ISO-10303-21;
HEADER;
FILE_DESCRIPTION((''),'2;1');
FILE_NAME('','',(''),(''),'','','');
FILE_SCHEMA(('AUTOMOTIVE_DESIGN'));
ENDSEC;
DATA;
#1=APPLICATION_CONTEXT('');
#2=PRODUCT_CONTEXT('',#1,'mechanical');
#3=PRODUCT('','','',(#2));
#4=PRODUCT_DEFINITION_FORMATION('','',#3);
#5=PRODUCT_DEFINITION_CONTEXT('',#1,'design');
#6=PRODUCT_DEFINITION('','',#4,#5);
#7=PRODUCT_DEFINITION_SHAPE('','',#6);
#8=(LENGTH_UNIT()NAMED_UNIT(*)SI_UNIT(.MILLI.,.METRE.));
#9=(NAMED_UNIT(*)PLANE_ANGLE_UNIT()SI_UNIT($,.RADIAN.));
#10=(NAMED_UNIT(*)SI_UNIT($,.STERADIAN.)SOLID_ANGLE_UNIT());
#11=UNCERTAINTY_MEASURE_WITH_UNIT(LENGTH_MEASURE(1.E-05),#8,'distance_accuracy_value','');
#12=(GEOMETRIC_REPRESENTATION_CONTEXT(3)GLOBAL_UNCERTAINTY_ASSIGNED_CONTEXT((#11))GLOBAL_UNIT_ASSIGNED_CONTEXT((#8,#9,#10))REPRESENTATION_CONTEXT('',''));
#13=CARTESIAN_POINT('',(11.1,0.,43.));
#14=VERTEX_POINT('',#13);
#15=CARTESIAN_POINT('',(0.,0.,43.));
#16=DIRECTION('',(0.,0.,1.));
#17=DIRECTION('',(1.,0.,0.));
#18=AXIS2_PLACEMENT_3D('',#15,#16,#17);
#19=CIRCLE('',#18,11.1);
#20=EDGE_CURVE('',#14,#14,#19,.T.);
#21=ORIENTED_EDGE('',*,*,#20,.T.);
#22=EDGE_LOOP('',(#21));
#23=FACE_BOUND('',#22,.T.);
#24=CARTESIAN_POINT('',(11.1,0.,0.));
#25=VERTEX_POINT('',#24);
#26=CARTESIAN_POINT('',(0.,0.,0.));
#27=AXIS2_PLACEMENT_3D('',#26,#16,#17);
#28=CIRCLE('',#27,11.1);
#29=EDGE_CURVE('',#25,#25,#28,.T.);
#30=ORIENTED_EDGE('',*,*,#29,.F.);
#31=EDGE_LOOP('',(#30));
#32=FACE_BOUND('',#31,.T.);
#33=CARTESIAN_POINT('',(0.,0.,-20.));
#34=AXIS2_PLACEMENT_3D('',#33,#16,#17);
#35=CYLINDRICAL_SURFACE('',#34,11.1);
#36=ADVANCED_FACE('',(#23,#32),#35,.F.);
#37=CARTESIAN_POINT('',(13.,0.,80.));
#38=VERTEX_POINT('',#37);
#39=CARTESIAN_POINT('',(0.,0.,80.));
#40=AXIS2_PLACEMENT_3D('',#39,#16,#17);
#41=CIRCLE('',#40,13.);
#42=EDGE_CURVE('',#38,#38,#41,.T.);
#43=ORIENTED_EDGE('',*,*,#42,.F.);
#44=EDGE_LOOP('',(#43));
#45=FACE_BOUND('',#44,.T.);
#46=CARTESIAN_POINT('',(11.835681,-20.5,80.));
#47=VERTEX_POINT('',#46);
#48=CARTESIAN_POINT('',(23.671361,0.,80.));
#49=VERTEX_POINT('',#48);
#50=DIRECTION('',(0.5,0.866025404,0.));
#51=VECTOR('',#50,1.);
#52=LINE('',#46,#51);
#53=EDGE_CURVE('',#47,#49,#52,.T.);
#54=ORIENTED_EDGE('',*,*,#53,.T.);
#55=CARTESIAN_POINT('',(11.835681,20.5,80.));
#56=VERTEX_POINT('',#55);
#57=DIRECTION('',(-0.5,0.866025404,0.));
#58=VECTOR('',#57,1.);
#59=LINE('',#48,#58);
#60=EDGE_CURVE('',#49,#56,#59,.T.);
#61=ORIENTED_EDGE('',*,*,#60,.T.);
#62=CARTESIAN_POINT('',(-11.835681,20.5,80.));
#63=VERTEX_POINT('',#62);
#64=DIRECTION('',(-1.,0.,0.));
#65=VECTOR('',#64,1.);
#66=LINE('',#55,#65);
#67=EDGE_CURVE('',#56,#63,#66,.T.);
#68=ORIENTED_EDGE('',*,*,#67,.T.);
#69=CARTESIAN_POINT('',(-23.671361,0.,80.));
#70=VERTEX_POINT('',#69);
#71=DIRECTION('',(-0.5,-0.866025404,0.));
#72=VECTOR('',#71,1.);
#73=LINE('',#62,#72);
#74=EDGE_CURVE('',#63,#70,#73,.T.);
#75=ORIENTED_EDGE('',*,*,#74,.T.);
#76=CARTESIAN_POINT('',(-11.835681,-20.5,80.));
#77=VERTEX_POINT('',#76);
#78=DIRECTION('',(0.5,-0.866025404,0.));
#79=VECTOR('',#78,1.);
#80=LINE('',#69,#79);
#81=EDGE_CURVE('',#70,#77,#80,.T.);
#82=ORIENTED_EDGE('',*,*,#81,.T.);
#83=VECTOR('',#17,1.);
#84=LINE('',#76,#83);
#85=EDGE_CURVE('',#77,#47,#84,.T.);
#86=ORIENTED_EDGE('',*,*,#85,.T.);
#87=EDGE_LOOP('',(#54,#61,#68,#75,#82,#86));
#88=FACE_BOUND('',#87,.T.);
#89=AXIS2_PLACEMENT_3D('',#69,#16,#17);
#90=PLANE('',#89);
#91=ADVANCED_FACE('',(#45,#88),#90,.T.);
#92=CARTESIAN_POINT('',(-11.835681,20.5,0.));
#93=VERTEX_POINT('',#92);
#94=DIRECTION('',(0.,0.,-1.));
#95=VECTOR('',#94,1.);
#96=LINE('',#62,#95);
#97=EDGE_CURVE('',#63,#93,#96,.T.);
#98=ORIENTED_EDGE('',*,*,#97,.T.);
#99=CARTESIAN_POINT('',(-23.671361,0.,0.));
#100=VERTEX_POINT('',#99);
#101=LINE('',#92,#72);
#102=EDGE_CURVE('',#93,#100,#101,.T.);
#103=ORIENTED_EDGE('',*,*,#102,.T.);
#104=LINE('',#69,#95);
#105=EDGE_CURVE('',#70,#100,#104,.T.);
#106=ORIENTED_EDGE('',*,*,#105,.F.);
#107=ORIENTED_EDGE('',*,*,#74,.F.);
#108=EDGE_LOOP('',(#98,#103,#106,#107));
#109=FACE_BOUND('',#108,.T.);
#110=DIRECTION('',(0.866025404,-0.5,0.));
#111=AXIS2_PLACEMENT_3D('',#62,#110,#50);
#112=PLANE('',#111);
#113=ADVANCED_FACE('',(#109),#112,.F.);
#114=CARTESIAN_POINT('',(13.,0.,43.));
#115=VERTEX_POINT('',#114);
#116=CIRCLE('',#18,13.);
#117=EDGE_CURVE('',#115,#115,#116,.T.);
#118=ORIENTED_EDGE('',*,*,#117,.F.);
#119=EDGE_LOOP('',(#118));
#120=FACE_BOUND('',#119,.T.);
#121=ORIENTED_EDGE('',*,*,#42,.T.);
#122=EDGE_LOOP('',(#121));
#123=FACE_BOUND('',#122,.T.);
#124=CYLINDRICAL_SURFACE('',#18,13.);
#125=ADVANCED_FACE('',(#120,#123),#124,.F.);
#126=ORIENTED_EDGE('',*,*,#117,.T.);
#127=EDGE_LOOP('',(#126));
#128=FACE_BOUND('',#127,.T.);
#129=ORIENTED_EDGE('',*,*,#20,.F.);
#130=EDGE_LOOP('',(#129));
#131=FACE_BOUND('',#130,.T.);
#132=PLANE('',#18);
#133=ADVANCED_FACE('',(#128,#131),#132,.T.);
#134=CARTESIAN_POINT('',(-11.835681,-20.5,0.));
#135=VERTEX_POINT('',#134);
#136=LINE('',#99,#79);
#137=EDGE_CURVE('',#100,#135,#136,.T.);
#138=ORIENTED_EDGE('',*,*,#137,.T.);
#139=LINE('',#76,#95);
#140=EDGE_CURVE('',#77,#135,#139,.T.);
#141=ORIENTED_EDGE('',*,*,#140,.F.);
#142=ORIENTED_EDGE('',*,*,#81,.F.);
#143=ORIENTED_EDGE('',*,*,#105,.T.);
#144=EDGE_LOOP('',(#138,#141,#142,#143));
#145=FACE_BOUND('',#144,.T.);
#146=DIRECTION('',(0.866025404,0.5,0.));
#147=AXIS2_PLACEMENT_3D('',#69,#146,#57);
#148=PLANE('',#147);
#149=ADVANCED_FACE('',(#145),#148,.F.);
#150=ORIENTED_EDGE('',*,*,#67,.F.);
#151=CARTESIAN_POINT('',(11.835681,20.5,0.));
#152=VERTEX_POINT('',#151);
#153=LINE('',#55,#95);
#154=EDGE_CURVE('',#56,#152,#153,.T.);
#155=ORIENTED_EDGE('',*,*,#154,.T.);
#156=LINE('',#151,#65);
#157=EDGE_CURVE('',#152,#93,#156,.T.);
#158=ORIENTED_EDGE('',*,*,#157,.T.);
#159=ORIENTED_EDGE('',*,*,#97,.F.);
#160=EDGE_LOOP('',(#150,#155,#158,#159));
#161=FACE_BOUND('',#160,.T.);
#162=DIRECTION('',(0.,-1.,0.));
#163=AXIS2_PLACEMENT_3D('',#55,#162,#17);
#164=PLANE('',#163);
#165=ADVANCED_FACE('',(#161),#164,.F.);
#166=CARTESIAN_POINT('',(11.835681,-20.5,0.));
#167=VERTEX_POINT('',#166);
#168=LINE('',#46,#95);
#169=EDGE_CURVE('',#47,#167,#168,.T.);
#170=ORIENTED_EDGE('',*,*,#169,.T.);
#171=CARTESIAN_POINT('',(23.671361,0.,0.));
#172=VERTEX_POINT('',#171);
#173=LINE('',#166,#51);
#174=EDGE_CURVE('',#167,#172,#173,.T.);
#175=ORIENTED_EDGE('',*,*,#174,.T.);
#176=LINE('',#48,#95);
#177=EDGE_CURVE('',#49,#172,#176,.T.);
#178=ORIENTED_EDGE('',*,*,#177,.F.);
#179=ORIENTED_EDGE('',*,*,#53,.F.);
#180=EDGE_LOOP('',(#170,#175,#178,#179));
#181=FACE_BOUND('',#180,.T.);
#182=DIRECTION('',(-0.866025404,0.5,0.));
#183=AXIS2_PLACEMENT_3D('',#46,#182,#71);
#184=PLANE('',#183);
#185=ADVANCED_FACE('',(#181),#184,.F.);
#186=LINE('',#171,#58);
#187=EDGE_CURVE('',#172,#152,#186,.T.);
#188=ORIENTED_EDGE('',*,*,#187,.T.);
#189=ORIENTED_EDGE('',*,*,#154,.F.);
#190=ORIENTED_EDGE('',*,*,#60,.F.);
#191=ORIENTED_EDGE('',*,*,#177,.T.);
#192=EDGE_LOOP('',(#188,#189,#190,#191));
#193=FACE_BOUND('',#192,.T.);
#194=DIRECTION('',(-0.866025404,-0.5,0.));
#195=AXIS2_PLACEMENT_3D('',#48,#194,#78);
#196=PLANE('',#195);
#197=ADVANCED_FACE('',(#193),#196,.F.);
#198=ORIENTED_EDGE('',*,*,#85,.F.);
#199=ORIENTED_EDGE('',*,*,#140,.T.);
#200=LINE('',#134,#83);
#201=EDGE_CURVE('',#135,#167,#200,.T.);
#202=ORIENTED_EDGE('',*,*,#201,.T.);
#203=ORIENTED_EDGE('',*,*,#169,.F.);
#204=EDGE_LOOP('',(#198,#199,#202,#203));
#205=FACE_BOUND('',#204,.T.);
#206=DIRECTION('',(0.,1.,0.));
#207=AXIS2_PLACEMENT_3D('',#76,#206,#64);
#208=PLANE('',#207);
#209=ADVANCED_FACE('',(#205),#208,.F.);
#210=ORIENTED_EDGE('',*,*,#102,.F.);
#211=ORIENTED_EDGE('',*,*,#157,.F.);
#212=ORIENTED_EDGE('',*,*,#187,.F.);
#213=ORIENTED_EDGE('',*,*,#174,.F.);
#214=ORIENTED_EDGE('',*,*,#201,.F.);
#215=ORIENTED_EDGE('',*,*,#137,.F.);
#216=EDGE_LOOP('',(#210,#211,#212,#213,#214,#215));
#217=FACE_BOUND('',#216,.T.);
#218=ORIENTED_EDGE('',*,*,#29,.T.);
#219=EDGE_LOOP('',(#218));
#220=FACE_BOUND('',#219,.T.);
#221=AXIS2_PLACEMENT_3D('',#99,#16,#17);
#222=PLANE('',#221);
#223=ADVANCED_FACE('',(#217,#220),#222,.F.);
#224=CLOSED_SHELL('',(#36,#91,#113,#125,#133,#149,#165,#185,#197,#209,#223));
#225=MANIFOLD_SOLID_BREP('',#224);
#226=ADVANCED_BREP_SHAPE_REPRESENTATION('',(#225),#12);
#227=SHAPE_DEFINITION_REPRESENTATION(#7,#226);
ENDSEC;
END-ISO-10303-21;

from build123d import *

# Parameters (mm, degrees)
EXTRUDE_1_DEPTH     = 80
SKETCH_2_R          = 13
CUT_EXTRUDE_1_DEPTH = 37
SKETCH_3_R          = 11.1
CUT_EXTRUDE_2_DEPTH = 63


with BuildPart() as part:
    # 草图1 → 凸台-拉伸1 (new body)
    with BuildSketch(Plane.XY):
        Polygon((-23.671361037, 0), (-11.835680518, -20.5), (11.835680518, -20.5), (23.671361037, 0), (11.835680518, 20.5), (-11.835680518, 20.5), align=None)
    extrude(amount=EXTRUDE_1_DEPTH)

    # 草图2 → 切除-拉伸1 (cut)
    with BuildSketch(Plane.XY.offset(80)):
        Circle(SKETCH_2_R)
    extrude(amount=-CUT_EXTRUDE_1_DEPTH, mode=Mode.SUBTRACT)

    # 草图3 → 切除-拉伸2 (cut)
    with BuildSketch(Plane.XY.offset(43)):
        Circle(SKETCH_3_R)
    extrude(amount=-CUT_EXTRUDE_2_DEPTH, mode=Mode.SUBTRACT)


solid = part.part
